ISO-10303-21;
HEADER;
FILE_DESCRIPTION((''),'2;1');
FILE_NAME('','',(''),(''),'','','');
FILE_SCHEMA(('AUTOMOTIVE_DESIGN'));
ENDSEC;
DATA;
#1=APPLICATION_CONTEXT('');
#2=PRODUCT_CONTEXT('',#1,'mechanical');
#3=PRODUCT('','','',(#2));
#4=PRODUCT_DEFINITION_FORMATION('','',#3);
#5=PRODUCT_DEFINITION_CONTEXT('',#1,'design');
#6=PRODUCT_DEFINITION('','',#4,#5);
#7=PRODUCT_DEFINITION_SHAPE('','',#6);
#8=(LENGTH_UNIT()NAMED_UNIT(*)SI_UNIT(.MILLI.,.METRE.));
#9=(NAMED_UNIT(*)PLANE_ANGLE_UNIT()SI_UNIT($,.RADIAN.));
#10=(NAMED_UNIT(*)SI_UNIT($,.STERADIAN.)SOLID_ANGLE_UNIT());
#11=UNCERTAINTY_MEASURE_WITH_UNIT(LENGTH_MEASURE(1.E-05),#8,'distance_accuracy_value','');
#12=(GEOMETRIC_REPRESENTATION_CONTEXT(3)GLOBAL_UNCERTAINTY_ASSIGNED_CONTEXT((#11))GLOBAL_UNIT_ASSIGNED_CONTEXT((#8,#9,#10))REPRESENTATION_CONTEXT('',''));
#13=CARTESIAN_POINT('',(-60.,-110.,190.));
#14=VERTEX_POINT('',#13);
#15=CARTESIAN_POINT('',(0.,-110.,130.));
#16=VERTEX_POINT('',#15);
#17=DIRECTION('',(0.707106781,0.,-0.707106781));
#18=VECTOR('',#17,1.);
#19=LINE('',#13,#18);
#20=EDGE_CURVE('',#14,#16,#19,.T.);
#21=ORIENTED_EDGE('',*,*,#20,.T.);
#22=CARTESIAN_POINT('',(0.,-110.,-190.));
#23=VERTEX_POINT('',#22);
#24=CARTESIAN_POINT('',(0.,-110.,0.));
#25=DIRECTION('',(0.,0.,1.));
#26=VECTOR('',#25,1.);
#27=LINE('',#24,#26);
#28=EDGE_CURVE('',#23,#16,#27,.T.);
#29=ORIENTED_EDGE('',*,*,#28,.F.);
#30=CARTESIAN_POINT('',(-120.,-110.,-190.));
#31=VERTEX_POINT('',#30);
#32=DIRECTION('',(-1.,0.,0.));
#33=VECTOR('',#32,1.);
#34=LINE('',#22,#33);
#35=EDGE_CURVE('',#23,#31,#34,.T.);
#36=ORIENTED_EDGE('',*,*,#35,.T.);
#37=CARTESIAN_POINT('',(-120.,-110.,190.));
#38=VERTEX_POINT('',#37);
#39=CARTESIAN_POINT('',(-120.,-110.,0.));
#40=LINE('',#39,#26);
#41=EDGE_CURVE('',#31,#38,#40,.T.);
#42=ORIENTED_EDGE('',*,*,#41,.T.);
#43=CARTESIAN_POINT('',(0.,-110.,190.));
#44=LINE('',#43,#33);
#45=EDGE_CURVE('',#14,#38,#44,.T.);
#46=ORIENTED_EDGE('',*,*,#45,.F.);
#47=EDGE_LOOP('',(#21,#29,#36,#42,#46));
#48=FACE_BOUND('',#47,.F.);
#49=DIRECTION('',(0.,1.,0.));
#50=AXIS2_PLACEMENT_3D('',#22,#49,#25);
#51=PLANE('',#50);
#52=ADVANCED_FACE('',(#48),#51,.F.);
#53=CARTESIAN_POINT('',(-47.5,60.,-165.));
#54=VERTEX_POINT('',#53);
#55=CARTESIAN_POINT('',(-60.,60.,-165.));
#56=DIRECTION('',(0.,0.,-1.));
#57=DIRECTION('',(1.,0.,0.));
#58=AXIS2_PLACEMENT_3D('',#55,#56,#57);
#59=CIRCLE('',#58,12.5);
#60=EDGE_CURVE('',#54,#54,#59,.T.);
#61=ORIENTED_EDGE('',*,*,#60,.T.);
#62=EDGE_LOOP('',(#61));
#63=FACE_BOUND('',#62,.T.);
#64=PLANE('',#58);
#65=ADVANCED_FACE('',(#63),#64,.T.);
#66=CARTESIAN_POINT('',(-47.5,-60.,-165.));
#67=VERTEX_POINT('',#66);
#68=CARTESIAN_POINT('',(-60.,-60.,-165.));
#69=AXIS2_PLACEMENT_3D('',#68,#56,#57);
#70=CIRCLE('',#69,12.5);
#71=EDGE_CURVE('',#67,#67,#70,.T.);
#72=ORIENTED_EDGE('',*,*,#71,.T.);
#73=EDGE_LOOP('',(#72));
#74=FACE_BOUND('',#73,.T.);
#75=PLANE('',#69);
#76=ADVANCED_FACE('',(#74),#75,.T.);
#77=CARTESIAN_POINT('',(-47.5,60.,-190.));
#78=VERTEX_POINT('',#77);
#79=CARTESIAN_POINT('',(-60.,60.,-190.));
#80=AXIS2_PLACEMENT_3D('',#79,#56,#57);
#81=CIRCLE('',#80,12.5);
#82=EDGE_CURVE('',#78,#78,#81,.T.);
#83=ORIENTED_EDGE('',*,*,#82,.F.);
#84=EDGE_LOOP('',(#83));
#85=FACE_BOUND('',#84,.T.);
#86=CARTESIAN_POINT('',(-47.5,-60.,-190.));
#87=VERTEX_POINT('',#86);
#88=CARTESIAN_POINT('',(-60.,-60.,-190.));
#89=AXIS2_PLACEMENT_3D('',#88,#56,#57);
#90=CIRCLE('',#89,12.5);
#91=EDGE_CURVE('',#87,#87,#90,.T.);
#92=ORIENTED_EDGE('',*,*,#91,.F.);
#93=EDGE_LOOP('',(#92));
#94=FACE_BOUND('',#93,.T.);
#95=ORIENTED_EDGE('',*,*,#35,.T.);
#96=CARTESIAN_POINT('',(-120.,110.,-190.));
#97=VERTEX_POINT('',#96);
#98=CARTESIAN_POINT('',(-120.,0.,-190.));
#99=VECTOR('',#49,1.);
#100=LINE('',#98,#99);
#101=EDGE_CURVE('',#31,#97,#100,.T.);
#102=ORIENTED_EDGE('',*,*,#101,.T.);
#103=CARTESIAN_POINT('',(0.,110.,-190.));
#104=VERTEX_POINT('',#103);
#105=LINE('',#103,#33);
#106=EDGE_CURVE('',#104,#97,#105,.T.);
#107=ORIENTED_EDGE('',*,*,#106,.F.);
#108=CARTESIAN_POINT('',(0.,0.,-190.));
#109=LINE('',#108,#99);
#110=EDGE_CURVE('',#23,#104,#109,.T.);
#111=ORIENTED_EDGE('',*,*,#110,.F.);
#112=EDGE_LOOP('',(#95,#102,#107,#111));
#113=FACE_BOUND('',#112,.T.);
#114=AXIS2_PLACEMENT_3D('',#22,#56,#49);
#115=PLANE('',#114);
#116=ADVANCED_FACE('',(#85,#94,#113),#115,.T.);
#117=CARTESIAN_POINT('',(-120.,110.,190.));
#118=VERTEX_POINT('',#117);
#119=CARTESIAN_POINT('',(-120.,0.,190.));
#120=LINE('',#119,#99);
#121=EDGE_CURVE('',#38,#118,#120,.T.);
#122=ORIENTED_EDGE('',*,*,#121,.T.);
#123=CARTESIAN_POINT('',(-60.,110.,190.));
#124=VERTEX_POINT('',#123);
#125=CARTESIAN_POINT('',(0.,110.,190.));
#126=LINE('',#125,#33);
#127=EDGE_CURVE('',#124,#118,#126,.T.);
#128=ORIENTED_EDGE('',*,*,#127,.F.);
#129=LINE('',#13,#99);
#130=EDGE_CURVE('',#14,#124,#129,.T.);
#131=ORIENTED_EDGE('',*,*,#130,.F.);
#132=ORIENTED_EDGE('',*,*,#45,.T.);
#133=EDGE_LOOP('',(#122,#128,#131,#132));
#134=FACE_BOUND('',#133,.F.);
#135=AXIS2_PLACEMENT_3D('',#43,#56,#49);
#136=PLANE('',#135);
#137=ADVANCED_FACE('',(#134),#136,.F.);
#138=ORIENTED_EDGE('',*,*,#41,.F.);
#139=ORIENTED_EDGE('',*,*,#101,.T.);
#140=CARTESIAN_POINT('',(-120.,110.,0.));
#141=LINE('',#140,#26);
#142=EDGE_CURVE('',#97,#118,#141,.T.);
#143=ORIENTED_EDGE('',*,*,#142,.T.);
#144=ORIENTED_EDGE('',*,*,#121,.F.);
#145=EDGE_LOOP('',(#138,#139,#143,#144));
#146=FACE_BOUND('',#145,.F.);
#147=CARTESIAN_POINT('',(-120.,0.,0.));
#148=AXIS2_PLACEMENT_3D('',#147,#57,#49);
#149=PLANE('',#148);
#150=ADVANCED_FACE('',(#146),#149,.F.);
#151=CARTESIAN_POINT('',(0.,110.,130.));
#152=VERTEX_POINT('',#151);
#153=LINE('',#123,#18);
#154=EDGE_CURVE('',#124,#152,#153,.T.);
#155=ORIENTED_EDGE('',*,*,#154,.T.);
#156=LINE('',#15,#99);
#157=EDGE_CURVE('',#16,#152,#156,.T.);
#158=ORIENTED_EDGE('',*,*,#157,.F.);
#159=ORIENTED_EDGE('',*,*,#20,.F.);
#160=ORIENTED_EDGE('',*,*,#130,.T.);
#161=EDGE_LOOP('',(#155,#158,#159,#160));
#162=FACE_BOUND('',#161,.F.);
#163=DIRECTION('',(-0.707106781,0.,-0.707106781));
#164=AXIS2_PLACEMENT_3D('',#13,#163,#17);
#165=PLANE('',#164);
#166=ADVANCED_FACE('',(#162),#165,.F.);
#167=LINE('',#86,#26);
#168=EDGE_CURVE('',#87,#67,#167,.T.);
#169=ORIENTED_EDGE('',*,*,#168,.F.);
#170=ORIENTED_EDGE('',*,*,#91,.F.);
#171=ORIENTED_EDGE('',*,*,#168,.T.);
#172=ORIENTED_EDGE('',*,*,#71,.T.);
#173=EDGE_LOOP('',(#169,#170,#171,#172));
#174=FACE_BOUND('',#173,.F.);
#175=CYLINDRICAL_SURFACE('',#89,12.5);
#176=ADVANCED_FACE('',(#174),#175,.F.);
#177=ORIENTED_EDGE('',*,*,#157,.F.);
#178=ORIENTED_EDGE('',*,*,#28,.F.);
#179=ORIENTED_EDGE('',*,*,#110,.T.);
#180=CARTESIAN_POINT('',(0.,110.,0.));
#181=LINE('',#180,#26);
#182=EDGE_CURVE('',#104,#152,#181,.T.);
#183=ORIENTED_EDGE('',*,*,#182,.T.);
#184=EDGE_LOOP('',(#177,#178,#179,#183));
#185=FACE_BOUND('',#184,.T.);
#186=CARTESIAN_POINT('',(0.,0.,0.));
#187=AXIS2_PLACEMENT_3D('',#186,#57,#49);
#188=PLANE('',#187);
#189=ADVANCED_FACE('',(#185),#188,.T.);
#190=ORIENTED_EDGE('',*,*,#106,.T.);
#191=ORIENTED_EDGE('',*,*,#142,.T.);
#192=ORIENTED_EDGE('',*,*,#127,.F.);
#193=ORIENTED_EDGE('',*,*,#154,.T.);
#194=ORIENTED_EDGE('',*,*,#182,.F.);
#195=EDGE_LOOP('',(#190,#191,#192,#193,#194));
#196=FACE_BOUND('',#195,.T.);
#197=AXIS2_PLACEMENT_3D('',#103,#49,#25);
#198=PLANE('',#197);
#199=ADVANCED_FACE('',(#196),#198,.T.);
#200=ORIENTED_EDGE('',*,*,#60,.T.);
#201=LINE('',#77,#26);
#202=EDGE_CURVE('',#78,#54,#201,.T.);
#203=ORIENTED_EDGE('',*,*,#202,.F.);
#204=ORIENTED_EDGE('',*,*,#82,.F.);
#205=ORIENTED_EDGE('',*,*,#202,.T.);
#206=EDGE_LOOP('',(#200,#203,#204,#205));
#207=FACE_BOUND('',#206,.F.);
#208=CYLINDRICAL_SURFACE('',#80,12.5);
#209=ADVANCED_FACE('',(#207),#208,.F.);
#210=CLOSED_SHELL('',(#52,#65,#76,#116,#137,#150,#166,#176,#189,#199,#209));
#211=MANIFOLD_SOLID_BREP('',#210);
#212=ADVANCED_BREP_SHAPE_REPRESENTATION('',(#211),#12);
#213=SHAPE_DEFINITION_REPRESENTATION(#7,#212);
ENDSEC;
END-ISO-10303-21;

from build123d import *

# Parameters (mm, degrees)
F0_W     = 220
F0_H     = 380
F1_DEPTH = 120
F3_DEPTH = 220
F4_R     = 12.5
F5_DEPTH = 25


with BuildPart() as f1:
    # F0 (on Right) → F1 (new body)
    with BuildSketch(Plane.YZ):
        Rectangle(F0_W, F0_H)
    extrude(amount=-F1_DEPTH)

    # F2 (on face) → F3 (cut)
    with BuildSketch(Plane.XZ.offset(110)):
        Polygon((0, 190), (-60, 190), (0, 130), align=None)
    extrude(amount=-F3_DEPTH, mode=Mode.SUBTRACT)

    # F4 (on face) → F5 (cut)
    with BuildSketch(Plane(origin=(0, 0, -190), x_dir=(1, 0, 0), z_dir=(0, 0, -1))):
        with Locations((-60, 60)):
            Circle(F4_R)
        with Locations((-60, -60)):
            Circle(F4_R)
    extrude(amount=-F5_DEPTH, mode=Mode.SUBTRACT)


solid = f1.part
